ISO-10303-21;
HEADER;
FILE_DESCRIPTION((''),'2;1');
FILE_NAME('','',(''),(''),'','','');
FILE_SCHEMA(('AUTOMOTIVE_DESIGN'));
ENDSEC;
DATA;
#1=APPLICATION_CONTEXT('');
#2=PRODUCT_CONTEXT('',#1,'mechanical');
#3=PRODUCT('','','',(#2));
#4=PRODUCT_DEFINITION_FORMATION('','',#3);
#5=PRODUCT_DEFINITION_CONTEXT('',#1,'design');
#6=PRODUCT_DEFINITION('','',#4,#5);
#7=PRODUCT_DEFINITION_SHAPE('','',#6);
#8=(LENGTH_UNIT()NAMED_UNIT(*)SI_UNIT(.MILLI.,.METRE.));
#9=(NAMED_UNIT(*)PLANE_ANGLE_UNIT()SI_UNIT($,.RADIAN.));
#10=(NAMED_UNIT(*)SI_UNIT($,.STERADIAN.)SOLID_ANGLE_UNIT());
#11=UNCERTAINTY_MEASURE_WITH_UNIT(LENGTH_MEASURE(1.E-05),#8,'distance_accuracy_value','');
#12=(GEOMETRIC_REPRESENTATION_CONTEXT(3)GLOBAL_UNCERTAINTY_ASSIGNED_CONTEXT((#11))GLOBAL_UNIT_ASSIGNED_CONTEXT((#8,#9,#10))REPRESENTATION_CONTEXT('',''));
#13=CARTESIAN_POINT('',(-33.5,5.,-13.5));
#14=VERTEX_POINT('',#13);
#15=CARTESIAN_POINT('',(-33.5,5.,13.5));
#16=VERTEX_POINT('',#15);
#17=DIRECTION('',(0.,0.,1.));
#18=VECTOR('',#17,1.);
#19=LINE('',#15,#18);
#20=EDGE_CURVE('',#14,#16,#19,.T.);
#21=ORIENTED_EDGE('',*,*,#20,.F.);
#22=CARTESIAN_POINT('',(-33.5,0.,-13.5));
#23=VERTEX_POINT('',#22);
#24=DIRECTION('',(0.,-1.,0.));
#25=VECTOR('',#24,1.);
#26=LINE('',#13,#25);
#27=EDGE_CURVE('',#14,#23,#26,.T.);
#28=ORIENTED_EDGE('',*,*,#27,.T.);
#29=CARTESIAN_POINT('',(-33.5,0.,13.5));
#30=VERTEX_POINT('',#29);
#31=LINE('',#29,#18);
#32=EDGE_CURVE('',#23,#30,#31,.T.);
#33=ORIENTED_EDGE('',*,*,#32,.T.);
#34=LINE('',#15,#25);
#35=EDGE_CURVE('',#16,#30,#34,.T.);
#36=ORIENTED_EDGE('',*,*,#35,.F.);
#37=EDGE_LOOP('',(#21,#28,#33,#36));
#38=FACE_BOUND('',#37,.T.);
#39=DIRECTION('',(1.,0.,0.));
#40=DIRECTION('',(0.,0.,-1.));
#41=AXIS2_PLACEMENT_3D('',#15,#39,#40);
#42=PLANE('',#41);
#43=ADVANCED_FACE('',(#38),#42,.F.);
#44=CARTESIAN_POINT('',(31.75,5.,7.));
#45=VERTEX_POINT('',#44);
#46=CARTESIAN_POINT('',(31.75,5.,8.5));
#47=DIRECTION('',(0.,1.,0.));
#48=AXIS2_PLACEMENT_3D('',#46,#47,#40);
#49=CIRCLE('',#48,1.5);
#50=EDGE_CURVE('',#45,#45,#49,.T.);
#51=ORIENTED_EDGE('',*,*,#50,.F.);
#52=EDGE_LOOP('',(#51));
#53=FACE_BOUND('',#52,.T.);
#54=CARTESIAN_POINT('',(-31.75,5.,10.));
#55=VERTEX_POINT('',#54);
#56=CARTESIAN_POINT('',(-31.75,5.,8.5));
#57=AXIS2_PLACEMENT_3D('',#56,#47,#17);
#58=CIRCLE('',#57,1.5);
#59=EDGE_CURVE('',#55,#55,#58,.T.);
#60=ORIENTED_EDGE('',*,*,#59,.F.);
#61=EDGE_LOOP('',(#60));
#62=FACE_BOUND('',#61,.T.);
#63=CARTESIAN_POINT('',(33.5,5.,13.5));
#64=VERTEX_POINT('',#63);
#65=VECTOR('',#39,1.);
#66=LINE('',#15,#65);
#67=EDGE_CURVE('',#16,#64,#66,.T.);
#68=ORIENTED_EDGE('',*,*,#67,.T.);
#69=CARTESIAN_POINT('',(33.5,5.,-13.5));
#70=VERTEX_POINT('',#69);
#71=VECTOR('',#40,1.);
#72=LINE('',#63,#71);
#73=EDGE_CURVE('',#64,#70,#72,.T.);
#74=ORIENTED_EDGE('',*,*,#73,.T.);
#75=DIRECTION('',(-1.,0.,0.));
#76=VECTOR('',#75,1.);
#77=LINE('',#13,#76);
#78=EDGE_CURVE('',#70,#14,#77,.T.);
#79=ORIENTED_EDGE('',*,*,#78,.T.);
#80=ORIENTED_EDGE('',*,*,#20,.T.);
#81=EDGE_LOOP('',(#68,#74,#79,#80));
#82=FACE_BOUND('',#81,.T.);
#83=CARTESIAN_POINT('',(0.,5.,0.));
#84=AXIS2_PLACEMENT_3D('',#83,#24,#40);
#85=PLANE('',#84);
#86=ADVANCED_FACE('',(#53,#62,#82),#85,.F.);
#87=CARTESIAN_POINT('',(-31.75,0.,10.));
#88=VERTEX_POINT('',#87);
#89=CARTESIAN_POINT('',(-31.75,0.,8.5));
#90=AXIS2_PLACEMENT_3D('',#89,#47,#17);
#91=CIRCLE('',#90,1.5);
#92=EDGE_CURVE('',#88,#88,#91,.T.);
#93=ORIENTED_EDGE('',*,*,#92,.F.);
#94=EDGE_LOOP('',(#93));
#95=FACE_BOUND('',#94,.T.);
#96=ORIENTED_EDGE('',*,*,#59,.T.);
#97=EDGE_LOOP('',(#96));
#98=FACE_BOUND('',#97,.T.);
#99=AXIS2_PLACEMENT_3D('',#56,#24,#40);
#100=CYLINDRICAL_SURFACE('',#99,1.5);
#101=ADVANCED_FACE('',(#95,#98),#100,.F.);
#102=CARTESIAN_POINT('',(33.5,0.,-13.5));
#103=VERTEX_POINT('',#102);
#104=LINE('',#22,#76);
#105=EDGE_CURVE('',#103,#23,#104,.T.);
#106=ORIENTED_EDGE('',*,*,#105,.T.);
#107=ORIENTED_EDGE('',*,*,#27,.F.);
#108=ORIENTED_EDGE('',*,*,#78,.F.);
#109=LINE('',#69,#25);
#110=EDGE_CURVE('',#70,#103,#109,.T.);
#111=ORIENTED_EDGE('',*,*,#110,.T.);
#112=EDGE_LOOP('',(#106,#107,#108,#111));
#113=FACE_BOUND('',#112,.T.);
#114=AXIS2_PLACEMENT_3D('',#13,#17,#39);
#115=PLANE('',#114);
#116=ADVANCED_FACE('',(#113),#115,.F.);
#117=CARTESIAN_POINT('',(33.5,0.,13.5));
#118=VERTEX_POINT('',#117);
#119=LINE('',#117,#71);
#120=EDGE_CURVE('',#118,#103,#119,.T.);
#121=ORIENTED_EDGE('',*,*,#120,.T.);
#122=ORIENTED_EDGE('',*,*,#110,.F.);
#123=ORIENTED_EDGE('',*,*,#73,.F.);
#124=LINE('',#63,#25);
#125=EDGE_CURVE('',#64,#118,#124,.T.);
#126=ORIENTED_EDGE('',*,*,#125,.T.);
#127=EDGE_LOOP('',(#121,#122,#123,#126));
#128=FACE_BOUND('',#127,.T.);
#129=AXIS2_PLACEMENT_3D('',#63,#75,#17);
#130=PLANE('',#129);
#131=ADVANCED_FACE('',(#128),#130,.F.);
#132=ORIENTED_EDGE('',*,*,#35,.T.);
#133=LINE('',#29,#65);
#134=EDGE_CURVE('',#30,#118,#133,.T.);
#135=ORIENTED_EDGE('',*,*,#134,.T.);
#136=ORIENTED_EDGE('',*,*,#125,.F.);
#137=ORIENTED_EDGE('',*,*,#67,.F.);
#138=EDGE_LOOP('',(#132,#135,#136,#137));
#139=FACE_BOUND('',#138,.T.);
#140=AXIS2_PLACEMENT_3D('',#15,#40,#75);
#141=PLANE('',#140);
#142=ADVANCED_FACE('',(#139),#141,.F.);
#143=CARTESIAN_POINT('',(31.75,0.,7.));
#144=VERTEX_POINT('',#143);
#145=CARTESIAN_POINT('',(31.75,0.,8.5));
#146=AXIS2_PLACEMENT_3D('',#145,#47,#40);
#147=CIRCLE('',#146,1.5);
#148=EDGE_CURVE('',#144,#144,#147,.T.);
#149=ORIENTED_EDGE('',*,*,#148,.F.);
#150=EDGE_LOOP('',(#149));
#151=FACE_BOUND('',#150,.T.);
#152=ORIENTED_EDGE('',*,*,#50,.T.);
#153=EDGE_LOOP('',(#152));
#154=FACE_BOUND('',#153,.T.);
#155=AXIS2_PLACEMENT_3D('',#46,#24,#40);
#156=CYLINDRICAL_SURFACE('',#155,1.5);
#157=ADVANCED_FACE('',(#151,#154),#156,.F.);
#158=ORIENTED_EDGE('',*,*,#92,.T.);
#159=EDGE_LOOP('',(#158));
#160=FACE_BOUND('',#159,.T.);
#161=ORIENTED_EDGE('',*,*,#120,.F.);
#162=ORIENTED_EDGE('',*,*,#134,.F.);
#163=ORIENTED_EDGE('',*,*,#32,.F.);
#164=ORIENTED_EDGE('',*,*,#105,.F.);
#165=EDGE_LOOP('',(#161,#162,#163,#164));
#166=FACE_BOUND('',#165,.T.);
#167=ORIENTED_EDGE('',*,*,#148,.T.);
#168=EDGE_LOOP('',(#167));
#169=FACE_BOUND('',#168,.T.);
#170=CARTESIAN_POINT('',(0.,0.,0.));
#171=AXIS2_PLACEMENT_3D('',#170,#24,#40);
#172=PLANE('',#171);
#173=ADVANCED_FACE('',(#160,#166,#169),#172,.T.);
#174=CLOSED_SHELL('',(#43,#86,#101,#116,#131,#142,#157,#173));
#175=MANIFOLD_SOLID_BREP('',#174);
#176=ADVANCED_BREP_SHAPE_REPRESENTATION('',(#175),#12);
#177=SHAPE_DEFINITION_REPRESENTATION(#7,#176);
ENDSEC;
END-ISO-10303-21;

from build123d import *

# Parameters (mm, degrees)
SKETCH1_W           = 67
SKETCH1_H           = 27
SKETCH1_R           = 1.5
BOSS_EXTRUDE1_DEPTH = 5


with BuildPart() as part:
    # Sketch1 → Boss-Extrude1 (new body)
    with BuildSketch(Plane(origin=(0, 0, 0), x_dir=(1, 0, 0), z_dir=(0, 1, 0))):
        Rectangle(SKETCH1_W, SKETCH1_H)
        with Locations(Location((-31.75, -8.5, 0), (0, 0, 270))):
            Circle(SKETCH1_R, mode=Mode.SUBTRACT)
        with Locations(Location((31.75, -8.5, 0), (0, 0, 90))):
            Circle(SKETCH1_R, mode=Mode.SUBTRACT)
    extrude(amount=BOSS_EXTRUDE1_DEPTH)


solid = part.part
